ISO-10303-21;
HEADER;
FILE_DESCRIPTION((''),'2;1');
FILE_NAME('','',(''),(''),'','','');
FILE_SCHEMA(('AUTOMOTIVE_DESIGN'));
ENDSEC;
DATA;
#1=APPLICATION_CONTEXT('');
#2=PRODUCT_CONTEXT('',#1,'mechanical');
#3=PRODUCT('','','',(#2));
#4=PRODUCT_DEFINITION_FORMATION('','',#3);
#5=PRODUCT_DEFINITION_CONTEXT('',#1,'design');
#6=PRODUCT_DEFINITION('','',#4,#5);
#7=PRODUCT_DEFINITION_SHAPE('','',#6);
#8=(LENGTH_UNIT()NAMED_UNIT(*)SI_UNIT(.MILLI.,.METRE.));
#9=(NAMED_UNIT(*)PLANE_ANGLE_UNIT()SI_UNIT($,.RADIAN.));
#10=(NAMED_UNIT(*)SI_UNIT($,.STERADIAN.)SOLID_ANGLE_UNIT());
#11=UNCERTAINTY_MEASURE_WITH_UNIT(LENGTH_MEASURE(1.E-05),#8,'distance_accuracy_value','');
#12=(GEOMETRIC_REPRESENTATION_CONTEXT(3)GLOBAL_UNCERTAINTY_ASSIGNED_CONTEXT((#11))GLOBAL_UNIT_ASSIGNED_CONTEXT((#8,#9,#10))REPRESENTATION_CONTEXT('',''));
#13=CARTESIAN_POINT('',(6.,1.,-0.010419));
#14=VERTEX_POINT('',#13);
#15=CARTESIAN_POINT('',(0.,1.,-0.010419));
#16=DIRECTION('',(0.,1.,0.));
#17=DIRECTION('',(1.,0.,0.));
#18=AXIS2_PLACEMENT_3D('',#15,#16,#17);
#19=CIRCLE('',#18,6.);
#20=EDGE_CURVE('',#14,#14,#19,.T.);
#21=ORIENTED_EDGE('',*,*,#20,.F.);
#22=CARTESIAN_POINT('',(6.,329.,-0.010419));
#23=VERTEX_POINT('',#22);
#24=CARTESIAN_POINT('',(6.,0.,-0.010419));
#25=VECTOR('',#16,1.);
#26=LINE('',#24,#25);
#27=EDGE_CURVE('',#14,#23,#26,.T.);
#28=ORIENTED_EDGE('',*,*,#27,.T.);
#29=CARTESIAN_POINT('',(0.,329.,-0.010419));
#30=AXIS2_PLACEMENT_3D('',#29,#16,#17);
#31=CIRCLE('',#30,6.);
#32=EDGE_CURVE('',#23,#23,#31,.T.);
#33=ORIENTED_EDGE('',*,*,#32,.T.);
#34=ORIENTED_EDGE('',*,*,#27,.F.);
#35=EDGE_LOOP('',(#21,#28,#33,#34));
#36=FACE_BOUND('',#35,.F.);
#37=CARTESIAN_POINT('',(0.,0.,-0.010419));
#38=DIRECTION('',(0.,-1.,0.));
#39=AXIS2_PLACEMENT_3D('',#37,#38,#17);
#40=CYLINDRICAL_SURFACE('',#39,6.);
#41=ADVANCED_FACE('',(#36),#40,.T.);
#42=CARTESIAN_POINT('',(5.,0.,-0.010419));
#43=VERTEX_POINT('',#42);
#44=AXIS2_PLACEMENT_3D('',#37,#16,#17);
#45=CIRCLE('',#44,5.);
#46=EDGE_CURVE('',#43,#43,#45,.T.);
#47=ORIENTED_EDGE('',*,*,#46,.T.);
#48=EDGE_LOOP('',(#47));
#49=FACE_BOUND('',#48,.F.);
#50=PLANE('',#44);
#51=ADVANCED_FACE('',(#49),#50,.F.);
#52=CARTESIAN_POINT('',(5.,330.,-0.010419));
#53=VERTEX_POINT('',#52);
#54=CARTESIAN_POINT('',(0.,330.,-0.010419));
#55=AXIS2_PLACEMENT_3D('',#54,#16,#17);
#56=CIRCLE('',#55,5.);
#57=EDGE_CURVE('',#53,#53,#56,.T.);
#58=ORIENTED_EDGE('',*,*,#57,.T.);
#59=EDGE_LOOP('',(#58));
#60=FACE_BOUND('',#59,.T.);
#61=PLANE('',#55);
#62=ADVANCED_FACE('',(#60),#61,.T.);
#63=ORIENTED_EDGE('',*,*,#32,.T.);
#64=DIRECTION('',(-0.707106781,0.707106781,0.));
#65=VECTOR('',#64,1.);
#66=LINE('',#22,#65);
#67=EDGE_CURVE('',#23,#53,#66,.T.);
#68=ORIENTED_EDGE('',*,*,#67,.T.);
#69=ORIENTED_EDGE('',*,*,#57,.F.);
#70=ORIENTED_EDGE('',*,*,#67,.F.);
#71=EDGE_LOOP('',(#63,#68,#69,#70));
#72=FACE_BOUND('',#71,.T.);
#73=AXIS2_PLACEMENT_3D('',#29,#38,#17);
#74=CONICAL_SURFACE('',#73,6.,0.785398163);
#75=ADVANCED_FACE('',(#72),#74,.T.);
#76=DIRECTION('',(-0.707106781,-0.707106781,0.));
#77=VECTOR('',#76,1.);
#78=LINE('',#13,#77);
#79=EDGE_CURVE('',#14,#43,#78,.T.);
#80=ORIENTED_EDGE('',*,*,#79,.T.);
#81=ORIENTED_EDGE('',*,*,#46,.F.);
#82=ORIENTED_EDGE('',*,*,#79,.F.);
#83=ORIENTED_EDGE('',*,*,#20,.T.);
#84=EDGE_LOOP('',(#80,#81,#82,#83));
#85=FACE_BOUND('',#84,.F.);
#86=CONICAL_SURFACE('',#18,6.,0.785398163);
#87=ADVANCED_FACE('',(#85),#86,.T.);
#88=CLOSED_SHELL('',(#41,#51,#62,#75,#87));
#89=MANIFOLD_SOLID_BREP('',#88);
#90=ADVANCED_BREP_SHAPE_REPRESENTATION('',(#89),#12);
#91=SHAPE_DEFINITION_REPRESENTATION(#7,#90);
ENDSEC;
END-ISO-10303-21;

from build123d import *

# Parameters (mm, degrees)
SKETCH1_R      = 6
EXTRUDE1_DEPTH = 330
CHAMFER1_SIZE  = 1


with BuildPart() as part:
    # Sketch1 → Extrude1 (new body)
    with BuildSketch(Plane(origin=(0, 0, 0), x_dir=(1, 0, 0), z_dir=(0, 1, 0))):
        with Locations((0, 0.010418865)):
            Circle(SKETCH1_R)
    extrude(amount=EXTRUDE1_DEPTH)

    # Chamfer1
    chamfer1_edges = [part.edges().sort_by_distance(p)[0] for p in [
        (-6, 0, -0.010418865),
        (-6, 330, -0.010418865),
    ]]
    chamfer(chamfer1_edges, length=CHAMFER1_SIZE)


solid = part.part
